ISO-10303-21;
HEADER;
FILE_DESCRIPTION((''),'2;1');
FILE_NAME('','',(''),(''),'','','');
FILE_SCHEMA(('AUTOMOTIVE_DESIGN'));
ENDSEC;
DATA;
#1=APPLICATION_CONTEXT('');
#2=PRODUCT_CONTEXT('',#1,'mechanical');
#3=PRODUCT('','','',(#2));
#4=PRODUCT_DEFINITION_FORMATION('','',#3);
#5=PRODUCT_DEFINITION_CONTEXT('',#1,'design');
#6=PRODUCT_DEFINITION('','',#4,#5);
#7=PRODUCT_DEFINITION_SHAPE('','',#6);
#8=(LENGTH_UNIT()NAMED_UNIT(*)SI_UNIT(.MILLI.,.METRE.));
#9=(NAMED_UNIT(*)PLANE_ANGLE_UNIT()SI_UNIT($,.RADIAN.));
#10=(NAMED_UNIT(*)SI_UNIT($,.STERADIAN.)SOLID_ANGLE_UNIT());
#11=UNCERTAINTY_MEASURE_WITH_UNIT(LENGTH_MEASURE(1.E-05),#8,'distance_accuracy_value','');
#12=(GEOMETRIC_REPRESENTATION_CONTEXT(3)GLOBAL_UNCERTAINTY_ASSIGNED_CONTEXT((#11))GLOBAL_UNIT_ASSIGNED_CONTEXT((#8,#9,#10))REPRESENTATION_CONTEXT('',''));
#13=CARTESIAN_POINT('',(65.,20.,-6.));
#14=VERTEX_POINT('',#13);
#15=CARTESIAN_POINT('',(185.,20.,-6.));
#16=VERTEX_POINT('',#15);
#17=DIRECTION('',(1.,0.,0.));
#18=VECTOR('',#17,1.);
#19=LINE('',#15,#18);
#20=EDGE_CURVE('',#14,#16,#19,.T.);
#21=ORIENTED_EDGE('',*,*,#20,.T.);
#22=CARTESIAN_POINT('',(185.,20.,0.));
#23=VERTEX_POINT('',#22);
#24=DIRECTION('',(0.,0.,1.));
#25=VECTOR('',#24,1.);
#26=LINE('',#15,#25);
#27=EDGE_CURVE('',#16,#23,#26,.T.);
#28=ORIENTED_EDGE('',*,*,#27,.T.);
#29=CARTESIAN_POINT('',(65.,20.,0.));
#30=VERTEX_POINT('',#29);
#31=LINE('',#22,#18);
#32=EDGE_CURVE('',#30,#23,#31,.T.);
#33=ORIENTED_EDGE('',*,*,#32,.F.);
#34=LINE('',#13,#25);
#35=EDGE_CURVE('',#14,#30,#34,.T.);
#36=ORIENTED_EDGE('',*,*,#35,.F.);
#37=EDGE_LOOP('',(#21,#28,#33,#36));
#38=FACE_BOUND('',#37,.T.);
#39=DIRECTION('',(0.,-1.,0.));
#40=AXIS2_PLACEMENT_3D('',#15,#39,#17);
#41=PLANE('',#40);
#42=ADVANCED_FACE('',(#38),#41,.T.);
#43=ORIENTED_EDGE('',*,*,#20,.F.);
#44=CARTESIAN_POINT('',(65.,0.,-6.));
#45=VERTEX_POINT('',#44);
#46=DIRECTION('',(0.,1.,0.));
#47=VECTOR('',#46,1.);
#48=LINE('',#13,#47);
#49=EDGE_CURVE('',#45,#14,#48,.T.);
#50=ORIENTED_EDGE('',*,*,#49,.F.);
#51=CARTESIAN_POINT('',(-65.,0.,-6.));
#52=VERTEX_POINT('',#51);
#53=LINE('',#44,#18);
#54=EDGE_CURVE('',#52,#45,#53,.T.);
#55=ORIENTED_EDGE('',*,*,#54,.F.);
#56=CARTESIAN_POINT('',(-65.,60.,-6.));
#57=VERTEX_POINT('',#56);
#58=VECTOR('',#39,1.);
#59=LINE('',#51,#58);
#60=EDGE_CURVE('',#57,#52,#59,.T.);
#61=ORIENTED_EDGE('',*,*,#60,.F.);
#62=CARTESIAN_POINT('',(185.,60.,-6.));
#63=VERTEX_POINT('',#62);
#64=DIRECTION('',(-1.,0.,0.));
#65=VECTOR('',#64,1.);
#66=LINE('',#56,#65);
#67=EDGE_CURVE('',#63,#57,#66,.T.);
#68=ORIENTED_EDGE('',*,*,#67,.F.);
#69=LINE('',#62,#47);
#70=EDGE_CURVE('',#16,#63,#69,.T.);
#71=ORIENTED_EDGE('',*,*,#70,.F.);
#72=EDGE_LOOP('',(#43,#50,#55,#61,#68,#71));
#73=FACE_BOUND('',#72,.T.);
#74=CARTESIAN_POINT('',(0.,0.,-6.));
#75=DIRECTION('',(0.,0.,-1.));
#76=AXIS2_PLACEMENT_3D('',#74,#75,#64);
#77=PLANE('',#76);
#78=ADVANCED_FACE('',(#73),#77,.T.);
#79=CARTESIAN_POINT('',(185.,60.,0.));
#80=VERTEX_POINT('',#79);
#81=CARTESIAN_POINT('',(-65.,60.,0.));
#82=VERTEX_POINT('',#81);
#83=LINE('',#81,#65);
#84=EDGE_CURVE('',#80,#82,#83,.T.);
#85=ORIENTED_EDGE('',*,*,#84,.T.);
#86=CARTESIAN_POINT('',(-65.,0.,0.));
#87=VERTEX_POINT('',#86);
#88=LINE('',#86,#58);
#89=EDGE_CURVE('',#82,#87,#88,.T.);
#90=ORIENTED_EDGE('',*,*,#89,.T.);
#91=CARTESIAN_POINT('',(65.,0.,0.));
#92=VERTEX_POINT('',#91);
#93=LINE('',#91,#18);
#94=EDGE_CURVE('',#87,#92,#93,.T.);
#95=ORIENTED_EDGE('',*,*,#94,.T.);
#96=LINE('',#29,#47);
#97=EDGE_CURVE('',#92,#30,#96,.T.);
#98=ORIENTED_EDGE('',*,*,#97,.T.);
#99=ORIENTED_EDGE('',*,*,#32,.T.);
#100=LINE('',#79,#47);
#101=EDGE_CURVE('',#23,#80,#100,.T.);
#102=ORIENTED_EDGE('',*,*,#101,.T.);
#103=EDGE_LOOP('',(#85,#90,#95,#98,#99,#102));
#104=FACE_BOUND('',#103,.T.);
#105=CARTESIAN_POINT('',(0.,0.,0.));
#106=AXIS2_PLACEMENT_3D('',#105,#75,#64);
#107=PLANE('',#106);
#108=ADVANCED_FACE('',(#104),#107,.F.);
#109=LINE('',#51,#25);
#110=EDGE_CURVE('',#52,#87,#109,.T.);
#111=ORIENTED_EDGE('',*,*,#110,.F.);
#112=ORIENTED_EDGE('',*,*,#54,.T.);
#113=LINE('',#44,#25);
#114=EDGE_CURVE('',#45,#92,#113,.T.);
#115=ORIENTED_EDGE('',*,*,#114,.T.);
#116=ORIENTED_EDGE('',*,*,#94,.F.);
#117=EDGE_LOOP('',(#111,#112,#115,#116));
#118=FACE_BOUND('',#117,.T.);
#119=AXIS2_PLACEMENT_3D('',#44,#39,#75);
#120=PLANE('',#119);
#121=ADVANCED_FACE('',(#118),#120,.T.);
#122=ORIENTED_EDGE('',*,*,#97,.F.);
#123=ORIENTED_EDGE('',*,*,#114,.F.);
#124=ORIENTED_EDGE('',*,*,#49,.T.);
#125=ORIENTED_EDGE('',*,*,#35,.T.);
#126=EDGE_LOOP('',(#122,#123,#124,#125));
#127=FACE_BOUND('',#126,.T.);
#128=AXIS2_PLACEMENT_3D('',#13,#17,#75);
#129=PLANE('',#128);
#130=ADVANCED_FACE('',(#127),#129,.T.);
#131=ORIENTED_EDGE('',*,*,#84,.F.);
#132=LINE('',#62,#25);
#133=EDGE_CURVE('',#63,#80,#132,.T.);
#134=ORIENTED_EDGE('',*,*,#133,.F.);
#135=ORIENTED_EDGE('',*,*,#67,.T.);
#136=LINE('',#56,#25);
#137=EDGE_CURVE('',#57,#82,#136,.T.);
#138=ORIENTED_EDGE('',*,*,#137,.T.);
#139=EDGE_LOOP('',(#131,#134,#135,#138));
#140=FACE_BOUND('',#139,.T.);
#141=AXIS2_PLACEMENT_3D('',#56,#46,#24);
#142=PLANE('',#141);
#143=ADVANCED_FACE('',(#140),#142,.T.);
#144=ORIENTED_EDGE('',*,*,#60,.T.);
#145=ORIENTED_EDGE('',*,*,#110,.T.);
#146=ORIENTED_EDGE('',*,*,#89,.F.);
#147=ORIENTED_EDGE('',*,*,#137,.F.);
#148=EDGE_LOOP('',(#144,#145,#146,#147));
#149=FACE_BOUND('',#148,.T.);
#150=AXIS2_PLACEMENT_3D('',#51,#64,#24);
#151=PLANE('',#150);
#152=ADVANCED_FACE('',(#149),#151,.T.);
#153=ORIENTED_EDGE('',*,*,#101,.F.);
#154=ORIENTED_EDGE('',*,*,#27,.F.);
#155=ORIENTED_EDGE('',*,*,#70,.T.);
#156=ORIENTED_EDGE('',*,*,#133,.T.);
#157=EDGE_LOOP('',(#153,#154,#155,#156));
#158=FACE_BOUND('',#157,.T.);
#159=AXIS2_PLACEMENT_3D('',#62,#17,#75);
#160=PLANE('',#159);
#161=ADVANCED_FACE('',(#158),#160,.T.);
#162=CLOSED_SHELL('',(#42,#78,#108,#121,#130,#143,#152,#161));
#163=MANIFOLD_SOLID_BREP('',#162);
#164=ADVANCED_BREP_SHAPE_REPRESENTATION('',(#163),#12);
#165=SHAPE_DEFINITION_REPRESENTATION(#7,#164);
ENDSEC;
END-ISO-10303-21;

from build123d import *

# Parameters (mm, degrees)
EXTRUDE_1_DEPTH = 6


with BuildPart() as part:
    # Эскиз1 → Бобышка-Вытянуть1 (new body)
    with BuildSketch(Plane.XY):
        Polygon((-65, 0), (-65, 60), (185, 60), (185, 20), (65, 20), (65, 0), align=None)
    extrude(amount=-EXTRUDE_1_DEPTH)


solid = part.part
